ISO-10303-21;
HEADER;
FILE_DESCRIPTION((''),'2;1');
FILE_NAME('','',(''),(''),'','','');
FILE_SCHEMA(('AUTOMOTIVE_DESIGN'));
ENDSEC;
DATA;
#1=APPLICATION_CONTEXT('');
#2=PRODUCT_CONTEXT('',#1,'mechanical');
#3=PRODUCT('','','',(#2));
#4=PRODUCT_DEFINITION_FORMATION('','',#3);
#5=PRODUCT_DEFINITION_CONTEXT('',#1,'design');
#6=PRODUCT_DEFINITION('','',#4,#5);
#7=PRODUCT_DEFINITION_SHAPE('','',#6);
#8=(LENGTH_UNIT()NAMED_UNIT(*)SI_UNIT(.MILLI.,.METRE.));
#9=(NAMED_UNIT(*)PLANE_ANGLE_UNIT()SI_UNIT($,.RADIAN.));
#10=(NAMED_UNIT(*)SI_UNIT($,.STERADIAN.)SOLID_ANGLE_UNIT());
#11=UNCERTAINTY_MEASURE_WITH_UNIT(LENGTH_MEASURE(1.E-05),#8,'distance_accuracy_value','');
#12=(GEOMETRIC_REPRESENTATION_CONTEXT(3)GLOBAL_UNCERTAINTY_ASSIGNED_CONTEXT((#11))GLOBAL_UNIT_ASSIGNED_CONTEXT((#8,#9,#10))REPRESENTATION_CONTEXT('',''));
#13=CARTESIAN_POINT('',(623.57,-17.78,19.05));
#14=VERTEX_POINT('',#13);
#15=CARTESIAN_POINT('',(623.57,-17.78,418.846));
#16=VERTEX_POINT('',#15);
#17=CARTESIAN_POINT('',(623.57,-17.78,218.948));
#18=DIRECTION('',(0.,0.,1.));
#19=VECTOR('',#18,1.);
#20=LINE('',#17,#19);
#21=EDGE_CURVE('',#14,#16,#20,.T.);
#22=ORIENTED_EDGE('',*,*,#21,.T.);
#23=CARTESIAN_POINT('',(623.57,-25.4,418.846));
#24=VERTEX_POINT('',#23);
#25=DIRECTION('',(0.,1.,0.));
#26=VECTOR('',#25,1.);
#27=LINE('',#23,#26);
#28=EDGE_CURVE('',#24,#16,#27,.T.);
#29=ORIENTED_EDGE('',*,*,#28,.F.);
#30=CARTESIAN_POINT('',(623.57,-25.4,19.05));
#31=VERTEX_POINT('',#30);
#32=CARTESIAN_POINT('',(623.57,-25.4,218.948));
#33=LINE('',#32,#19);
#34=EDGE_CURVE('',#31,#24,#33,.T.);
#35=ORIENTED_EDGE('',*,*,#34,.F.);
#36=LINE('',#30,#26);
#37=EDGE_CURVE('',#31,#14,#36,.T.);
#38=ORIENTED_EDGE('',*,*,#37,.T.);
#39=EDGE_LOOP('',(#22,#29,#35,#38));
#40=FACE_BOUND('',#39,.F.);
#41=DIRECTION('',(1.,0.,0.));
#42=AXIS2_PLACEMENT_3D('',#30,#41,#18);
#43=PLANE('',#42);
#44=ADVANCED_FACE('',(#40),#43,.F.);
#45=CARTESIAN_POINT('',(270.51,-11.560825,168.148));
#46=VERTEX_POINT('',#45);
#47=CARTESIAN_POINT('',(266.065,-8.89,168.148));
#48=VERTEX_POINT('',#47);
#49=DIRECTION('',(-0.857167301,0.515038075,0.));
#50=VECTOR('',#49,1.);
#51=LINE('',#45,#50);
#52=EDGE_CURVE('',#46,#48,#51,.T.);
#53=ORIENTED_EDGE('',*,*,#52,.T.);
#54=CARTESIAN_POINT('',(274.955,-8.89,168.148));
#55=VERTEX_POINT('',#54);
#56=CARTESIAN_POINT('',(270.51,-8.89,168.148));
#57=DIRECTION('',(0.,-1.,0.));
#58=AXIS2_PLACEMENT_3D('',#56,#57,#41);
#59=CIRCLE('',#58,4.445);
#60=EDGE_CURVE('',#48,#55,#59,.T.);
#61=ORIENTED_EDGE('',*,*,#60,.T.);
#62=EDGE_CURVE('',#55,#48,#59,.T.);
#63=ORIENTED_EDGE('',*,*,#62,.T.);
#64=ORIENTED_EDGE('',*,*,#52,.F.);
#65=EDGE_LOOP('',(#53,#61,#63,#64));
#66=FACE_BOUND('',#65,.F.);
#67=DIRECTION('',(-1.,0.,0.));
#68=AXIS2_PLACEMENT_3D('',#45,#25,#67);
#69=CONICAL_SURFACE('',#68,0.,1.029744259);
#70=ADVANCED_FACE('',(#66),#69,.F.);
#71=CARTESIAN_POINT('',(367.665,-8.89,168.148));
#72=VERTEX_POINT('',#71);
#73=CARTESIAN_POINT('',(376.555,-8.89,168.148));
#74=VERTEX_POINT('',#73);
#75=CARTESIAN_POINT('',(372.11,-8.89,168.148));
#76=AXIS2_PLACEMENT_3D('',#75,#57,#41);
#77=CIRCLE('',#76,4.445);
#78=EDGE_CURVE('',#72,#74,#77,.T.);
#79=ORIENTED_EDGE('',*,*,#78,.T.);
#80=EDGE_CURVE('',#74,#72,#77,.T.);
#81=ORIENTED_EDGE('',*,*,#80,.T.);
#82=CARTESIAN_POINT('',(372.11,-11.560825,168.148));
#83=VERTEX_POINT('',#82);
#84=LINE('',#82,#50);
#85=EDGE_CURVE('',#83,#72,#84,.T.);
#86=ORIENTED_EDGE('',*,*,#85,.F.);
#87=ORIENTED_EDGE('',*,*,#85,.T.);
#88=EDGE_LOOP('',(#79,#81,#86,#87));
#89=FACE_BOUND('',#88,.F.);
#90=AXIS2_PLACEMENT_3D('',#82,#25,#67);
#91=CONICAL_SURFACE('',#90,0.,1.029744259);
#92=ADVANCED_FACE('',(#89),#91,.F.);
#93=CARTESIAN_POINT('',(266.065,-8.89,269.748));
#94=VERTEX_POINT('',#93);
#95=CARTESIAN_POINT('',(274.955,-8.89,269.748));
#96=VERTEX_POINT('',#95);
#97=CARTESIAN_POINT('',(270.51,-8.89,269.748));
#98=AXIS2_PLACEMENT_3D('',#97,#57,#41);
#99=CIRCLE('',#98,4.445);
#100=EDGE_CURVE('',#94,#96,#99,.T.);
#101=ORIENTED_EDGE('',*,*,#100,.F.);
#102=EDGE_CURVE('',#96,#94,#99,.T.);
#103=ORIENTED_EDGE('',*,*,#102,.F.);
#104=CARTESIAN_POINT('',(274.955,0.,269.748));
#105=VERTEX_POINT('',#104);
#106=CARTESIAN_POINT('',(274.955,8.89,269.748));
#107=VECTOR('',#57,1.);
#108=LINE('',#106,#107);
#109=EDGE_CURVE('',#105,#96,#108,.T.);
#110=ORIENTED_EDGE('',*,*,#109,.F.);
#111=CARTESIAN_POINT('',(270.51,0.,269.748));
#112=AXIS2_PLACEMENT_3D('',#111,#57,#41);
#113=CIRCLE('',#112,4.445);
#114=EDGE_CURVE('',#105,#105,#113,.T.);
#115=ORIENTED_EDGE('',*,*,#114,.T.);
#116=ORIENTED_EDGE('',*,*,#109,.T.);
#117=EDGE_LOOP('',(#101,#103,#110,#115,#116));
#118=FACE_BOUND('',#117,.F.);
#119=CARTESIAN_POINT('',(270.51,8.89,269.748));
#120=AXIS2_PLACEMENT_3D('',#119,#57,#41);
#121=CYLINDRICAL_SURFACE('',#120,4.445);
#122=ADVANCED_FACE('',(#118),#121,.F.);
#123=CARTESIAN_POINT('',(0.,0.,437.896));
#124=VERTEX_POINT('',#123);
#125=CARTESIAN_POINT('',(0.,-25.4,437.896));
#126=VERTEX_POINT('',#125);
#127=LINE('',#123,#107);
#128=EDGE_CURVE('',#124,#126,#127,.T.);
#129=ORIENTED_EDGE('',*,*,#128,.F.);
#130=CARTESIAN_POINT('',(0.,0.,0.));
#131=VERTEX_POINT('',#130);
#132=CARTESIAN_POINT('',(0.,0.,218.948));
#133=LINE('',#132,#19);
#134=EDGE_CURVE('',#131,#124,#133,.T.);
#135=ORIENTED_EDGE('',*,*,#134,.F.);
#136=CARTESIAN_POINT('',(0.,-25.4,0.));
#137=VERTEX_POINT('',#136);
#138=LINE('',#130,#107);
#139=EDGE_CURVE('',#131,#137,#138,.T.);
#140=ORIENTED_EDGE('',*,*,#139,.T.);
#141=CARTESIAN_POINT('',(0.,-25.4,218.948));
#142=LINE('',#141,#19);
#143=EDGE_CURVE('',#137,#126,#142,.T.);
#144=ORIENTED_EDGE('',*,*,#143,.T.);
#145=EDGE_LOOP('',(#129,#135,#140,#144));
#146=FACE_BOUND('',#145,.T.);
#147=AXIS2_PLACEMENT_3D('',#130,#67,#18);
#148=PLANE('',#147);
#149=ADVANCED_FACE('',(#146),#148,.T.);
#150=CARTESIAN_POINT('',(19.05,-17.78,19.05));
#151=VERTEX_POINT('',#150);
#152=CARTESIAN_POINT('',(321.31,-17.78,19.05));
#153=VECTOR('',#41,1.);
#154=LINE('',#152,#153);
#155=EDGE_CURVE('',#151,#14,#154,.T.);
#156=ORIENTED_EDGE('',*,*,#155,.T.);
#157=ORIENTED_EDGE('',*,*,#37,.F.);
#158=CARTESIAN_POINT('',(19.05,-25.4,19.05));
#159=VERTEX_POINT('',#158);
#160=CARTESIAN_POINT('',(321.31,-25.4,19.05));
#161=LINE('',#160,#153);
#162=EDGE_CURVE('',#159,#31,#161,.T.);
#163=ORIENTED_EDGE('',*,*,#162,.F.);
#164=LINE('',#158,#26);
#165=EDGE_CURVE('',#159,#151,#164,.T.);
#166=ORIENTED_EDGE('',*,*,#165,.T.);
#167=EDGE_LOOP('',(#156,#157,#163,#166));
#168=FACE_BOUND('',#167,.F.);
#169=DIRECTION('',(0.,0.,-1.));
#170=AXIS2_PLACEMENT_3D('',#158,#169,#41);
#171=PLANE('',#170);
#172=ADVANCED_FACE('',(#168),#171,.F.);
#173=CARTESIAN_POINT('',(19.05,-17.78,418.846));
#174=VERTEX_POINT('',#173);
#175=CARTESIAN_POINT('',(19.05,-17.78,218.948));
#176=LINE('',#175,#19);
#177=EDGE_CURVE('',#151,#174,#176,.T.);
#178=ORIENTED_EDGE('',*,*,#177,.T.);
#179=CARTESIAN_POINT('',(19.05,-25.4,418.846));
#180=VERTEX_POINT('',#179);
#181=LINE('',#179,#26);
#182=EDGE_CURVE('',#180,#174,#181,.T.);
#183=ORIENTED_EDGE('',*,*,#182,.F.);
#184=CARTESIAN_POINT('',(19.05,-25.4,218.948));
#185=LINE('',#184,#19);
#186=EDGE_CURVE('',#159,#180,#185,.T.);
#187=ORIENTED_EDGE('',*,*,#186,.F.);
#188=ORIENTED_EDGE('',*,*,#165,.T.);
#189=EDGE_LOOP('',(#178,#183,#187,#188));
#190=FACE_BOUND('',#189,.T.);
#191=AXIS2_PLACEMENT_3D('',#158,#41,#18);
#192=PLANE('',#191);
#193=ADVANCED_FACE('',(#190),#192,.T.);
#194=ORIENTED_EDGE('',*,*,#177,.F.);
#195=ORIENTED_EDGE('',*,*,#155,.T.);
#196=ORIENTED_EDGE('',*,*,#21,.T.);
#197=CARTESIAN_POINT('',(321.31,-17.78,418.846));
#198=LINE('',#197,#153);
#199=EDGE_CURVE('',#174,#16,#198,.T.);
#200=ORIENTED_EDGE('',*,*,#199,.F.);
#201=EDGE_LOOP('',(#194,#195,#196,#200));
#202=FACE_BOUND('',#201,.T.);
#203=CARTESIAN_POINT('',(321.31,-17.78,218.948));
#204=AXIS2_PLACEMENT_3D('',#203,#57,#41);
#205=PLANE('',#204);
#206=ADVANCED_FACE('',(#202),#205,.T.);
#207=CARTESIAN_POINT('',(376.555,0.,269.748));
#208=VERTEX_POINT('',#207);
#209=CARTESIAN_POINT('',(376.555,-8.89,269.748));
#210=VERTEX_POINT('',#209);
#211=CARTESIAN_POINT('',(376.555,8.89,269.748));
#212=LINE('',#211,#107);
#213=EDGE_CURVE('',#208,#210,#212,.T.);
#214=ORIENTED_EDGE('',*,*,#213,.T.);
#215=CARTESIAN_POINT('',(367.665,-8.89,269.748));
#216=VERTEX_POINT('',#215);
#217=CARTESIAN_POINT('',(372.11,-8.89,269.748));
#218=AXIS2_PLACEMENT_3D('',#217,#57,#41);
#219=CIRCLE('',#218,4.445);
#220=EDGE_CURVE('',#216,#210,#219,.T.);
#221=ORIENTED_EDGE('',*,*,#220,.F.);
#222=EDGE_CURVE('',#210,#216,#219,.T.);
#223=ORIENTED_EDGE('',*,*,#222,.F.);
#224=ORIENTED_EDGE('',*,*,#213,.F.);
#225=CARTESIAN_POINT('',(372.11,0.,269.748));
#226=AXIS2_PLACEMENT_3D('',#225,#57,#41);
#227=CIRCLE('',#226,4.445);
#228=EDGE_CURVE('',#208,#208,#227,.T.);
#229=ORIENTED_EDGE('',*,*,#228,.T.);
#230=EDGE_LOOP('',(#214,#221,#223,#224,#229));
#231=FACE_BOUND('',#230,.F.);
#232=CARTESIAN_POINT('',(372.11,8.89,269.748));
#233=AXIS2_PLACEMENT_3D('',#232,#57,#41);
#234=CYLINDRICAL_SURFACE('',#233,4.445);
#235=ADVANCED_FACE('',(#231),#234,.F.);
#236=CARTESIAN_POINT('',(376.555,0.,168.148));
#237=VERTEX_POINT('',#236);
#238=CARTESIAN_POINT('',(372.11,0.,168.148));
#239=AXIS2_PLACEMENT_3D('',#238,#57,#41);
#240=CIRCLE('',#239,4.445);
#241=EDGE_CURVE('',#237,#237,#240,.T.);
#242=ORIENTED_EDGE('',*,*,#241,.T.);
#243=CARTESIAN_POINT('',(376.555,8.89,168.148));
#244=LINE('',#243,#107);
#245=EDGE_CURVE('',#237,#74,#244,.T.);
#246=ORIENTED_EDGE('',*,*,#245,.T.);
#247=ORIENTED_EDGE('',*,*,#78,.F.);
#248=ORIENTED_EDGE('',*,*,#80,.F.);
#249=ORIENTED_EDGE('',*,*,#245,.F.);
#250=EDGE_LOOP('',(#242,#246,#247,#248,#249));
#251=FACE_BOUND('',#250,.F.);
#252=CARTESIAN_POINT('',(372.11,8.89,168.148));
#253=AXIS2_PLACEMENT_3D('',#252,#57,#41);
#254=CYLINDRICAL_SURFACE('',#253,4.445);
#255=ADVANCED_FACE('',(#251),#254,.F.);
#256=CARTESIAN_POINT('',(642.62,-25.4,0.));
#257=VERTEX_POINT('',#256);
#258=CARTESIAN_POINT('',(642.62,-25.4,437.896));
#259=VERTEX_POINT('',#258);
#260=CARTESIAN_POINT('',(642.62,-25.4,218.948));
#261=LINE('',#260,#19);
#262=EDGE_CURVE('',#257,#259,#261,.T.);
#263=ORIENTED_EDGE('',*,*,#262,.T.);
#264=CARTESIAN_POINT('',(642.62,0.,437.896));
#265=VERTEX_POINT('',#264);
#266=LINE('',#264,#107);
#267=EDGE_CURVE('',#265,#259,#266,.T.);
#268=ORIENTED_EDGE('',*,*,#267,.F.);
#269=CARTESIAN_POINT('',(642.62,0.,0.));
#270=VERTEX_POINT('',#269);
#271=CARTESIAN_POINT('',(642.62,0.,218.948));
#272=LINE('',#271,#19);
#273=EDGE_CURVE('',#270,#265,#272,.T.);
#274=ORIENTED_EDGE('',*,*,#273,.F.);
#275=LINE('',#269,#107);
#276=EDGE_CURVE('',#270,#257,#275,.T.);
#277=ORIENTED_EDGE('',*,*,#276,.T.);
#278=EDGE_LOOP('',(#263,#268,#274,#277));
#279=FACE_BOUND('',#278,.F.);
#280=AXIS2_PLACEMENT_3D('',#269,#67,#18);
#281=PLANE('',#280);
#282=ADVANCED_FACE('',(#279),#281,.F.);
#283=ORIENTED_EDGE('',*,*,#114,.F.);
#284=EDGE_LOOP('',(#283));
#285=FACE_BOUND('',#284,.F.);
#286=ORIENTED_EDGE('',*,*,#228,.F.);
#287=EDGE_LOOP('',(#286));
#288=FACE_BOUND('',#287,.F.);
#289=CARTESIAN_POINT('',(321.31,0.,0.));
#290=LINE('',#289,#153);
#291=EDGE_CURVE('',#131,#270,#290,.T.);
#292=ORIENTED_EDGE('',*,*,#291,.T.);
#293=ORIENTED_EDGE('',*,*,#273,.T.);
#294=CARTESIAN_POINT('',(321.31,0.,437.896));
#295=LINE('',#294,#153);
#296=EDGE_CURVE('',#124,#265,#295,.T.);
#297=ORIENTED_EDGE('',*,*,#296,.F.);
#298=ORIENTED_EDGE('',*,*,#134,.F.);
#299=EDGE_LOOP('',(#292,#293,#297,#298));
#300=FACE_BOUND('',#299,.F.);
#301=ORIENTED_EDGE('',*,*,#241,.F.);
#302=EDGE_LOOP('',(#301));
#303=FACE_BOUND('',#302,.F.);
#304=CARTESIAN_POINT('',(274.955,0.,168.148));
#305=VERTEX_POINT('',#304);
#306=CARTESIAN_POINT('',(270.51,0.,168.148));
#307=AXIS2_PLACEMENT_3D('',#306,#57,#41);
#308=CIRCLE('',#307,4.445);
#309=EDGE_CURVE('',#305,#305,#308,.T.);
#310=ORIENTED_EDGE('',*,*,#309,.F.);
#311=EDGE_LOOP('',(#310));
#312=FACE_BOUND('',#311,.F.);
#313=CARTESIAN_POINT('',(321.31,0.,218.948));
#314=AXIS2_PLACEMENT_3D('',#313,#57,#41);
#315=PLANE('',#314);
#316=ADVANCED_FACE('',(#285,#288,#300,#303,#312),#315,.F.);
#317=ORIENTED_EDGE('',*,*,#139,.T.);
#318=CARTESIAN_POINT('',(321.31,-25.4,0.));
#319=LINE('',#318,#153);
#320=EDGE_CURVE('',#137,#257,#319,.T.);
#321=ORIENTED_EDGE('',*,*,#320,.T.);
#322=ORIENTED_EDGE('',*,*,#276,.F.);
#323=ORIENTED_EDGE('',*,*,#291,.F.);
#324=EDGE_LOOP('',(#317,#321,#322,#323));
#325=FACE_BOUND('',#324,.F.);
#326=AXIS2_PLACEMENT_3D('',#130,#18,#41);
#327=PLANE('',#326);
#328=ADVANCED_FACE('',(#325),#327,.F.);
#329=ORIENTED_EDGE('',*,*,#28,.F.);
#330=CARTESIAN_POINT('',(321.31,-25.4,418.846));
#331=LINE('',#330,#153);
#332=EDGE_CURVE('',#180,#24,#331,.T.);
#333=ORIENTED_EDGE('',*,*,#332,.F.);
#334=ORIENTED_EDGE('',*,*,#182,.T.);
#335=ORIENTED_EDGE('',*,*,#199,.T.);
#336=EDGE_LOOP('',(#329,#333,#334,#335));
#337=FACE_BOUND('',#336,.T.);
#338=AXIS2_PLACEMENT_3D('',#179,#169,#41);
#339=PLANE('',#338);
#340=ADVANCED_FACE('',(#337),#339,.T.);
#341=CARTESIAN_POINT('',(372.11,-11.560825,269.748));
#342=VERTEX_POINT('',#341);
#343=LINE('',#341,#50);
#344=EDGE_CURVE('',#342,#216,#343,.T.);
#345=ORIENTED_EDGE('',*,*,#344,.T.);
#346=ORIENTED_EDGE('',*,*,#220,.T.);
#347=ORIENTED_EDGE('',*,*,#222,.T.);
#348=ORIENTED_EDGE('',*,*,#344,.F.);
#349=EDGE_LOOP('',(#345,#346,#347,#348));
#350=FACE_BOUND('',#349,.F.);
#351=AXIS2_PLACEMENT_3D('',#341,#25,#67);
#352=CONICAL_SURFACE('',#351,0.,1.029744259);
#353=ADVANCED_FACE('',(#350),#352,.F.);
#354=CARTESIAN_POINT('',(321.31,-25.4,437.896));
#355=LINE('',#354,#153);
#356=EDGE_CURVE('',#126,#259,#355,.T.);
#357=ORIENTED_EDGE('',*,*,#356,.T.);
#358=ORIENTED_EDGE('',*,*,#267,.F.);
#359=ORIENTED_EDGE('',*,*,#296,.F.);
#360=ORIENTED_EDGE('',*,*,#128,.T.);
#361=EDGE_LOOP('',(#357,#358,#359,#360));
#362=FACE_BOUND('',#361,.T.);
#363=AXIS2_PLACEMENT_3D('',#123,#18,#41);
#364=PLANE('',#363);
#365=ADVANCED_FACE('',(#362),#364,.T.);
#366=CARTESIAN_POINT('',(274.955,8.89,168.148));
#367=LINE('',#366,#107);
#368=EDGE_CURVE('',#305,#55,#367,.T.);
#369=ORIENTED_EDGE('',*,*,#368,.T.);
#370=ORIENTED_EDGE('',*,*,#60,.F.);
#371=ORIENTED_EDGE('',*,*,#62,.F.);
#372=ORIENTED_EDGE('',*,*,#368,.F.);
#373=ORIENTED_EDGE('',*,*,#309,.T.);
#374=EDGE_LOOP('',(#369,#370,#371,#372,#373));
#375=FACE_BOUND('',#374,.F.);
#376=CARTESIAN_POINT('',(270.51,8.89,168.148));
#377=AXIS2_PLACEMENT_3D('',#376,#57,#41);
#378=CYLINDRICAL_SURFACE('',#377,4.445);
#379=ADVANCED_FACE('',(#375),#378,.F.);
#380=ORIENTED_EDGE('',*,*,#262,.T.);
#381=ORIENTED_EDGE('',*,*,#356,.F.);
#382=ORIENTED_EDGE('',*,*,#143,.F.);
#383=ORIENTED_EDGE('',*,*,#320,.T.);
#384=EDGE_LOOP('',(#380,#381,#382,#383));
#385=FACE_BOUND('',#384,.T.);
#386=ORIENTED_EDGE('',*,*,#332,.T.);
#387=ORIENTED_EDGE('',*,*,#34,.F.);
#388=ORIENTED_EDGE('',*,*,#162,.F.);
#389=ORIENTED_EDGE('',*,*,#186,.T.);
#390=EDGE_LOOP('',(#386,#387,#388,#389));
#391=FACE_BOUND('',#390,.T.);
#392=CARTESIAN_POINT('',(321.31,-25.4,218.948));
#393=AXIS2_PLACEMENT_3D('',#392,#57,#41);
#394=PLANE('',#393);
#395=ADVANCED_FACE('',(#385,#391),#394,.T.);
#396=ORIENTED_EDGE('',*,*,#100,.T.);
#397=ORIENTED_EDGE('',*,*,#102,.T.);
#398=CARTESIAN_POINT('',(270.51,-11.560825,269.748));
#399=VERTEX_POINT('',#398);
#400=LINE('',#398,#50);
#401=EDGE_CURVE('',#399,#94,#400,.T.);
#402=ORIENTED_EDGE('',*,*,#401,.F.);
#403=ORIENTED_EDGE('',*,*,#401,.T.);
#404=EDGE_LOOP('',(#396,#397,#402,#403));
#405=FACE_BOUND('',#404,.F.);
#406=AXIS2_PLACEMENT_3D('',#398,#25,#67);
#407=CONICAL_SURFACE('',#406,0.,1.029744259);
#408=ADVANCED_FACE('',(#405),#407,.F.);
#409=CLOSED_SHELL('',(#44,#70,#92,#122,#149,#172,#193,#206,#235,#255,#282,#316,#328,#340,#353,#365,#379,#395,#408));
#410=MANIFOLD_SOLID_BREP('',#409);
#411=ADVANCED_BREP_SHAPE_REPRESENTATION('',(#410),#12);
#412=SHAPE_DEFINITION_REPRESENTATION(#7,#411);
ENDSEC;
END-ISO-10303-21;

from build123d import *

# Parameters (mm, degrees)
F0_W     = 642.62
F0_H     = 437.896
F1_DEPTH = 25.4
F3_D     = 8.89
F3_DEPTH = 8.89
F3_TIP   = 2.6708254516
F4_W     = 604.52
F4_H     = 399.796
F5_DEPTH = 7.62


with BuildPart() as f1:
    # F0 (on Front) → F1 (new body)
    with BuildSketch(Plane.XZ):
        with Locations((321.31, 218.948)):
            Rectangle(F0_W, F0_H)
    extrude(amount=F1_DEPTH)

    # F3
    with Locations(Plane(origin=(0, 0, 0), x_dir=(-1, 0, 0), z_dir=(0, 1, 0))):
        with Locations((-372.11, 269.748), (-270.51, 269.748), (-270.51, 168.148), (-372.11, 168.148)):
            Hole(F3_D / 2, depth=F3_DEPTH)
            with Locations((0, 0, -(F3_DEPTH + F3_TIP / 2))):  # 118° drill point
                Cone(0, F3_D / 2, F3_TIP, mode=Mode.SUBTRACT)

    # F4 (on face) → F5 (cut)
    with BuildSketch(Plane.XZ.offset(25.4)):
        with Locations((321.31, 218.948)):
            Rectangle(F4_W, F4_H)
    extrude(amount=-F5_DEPTH, mode=Mode.SUBTRACT)


solid = f1.part
